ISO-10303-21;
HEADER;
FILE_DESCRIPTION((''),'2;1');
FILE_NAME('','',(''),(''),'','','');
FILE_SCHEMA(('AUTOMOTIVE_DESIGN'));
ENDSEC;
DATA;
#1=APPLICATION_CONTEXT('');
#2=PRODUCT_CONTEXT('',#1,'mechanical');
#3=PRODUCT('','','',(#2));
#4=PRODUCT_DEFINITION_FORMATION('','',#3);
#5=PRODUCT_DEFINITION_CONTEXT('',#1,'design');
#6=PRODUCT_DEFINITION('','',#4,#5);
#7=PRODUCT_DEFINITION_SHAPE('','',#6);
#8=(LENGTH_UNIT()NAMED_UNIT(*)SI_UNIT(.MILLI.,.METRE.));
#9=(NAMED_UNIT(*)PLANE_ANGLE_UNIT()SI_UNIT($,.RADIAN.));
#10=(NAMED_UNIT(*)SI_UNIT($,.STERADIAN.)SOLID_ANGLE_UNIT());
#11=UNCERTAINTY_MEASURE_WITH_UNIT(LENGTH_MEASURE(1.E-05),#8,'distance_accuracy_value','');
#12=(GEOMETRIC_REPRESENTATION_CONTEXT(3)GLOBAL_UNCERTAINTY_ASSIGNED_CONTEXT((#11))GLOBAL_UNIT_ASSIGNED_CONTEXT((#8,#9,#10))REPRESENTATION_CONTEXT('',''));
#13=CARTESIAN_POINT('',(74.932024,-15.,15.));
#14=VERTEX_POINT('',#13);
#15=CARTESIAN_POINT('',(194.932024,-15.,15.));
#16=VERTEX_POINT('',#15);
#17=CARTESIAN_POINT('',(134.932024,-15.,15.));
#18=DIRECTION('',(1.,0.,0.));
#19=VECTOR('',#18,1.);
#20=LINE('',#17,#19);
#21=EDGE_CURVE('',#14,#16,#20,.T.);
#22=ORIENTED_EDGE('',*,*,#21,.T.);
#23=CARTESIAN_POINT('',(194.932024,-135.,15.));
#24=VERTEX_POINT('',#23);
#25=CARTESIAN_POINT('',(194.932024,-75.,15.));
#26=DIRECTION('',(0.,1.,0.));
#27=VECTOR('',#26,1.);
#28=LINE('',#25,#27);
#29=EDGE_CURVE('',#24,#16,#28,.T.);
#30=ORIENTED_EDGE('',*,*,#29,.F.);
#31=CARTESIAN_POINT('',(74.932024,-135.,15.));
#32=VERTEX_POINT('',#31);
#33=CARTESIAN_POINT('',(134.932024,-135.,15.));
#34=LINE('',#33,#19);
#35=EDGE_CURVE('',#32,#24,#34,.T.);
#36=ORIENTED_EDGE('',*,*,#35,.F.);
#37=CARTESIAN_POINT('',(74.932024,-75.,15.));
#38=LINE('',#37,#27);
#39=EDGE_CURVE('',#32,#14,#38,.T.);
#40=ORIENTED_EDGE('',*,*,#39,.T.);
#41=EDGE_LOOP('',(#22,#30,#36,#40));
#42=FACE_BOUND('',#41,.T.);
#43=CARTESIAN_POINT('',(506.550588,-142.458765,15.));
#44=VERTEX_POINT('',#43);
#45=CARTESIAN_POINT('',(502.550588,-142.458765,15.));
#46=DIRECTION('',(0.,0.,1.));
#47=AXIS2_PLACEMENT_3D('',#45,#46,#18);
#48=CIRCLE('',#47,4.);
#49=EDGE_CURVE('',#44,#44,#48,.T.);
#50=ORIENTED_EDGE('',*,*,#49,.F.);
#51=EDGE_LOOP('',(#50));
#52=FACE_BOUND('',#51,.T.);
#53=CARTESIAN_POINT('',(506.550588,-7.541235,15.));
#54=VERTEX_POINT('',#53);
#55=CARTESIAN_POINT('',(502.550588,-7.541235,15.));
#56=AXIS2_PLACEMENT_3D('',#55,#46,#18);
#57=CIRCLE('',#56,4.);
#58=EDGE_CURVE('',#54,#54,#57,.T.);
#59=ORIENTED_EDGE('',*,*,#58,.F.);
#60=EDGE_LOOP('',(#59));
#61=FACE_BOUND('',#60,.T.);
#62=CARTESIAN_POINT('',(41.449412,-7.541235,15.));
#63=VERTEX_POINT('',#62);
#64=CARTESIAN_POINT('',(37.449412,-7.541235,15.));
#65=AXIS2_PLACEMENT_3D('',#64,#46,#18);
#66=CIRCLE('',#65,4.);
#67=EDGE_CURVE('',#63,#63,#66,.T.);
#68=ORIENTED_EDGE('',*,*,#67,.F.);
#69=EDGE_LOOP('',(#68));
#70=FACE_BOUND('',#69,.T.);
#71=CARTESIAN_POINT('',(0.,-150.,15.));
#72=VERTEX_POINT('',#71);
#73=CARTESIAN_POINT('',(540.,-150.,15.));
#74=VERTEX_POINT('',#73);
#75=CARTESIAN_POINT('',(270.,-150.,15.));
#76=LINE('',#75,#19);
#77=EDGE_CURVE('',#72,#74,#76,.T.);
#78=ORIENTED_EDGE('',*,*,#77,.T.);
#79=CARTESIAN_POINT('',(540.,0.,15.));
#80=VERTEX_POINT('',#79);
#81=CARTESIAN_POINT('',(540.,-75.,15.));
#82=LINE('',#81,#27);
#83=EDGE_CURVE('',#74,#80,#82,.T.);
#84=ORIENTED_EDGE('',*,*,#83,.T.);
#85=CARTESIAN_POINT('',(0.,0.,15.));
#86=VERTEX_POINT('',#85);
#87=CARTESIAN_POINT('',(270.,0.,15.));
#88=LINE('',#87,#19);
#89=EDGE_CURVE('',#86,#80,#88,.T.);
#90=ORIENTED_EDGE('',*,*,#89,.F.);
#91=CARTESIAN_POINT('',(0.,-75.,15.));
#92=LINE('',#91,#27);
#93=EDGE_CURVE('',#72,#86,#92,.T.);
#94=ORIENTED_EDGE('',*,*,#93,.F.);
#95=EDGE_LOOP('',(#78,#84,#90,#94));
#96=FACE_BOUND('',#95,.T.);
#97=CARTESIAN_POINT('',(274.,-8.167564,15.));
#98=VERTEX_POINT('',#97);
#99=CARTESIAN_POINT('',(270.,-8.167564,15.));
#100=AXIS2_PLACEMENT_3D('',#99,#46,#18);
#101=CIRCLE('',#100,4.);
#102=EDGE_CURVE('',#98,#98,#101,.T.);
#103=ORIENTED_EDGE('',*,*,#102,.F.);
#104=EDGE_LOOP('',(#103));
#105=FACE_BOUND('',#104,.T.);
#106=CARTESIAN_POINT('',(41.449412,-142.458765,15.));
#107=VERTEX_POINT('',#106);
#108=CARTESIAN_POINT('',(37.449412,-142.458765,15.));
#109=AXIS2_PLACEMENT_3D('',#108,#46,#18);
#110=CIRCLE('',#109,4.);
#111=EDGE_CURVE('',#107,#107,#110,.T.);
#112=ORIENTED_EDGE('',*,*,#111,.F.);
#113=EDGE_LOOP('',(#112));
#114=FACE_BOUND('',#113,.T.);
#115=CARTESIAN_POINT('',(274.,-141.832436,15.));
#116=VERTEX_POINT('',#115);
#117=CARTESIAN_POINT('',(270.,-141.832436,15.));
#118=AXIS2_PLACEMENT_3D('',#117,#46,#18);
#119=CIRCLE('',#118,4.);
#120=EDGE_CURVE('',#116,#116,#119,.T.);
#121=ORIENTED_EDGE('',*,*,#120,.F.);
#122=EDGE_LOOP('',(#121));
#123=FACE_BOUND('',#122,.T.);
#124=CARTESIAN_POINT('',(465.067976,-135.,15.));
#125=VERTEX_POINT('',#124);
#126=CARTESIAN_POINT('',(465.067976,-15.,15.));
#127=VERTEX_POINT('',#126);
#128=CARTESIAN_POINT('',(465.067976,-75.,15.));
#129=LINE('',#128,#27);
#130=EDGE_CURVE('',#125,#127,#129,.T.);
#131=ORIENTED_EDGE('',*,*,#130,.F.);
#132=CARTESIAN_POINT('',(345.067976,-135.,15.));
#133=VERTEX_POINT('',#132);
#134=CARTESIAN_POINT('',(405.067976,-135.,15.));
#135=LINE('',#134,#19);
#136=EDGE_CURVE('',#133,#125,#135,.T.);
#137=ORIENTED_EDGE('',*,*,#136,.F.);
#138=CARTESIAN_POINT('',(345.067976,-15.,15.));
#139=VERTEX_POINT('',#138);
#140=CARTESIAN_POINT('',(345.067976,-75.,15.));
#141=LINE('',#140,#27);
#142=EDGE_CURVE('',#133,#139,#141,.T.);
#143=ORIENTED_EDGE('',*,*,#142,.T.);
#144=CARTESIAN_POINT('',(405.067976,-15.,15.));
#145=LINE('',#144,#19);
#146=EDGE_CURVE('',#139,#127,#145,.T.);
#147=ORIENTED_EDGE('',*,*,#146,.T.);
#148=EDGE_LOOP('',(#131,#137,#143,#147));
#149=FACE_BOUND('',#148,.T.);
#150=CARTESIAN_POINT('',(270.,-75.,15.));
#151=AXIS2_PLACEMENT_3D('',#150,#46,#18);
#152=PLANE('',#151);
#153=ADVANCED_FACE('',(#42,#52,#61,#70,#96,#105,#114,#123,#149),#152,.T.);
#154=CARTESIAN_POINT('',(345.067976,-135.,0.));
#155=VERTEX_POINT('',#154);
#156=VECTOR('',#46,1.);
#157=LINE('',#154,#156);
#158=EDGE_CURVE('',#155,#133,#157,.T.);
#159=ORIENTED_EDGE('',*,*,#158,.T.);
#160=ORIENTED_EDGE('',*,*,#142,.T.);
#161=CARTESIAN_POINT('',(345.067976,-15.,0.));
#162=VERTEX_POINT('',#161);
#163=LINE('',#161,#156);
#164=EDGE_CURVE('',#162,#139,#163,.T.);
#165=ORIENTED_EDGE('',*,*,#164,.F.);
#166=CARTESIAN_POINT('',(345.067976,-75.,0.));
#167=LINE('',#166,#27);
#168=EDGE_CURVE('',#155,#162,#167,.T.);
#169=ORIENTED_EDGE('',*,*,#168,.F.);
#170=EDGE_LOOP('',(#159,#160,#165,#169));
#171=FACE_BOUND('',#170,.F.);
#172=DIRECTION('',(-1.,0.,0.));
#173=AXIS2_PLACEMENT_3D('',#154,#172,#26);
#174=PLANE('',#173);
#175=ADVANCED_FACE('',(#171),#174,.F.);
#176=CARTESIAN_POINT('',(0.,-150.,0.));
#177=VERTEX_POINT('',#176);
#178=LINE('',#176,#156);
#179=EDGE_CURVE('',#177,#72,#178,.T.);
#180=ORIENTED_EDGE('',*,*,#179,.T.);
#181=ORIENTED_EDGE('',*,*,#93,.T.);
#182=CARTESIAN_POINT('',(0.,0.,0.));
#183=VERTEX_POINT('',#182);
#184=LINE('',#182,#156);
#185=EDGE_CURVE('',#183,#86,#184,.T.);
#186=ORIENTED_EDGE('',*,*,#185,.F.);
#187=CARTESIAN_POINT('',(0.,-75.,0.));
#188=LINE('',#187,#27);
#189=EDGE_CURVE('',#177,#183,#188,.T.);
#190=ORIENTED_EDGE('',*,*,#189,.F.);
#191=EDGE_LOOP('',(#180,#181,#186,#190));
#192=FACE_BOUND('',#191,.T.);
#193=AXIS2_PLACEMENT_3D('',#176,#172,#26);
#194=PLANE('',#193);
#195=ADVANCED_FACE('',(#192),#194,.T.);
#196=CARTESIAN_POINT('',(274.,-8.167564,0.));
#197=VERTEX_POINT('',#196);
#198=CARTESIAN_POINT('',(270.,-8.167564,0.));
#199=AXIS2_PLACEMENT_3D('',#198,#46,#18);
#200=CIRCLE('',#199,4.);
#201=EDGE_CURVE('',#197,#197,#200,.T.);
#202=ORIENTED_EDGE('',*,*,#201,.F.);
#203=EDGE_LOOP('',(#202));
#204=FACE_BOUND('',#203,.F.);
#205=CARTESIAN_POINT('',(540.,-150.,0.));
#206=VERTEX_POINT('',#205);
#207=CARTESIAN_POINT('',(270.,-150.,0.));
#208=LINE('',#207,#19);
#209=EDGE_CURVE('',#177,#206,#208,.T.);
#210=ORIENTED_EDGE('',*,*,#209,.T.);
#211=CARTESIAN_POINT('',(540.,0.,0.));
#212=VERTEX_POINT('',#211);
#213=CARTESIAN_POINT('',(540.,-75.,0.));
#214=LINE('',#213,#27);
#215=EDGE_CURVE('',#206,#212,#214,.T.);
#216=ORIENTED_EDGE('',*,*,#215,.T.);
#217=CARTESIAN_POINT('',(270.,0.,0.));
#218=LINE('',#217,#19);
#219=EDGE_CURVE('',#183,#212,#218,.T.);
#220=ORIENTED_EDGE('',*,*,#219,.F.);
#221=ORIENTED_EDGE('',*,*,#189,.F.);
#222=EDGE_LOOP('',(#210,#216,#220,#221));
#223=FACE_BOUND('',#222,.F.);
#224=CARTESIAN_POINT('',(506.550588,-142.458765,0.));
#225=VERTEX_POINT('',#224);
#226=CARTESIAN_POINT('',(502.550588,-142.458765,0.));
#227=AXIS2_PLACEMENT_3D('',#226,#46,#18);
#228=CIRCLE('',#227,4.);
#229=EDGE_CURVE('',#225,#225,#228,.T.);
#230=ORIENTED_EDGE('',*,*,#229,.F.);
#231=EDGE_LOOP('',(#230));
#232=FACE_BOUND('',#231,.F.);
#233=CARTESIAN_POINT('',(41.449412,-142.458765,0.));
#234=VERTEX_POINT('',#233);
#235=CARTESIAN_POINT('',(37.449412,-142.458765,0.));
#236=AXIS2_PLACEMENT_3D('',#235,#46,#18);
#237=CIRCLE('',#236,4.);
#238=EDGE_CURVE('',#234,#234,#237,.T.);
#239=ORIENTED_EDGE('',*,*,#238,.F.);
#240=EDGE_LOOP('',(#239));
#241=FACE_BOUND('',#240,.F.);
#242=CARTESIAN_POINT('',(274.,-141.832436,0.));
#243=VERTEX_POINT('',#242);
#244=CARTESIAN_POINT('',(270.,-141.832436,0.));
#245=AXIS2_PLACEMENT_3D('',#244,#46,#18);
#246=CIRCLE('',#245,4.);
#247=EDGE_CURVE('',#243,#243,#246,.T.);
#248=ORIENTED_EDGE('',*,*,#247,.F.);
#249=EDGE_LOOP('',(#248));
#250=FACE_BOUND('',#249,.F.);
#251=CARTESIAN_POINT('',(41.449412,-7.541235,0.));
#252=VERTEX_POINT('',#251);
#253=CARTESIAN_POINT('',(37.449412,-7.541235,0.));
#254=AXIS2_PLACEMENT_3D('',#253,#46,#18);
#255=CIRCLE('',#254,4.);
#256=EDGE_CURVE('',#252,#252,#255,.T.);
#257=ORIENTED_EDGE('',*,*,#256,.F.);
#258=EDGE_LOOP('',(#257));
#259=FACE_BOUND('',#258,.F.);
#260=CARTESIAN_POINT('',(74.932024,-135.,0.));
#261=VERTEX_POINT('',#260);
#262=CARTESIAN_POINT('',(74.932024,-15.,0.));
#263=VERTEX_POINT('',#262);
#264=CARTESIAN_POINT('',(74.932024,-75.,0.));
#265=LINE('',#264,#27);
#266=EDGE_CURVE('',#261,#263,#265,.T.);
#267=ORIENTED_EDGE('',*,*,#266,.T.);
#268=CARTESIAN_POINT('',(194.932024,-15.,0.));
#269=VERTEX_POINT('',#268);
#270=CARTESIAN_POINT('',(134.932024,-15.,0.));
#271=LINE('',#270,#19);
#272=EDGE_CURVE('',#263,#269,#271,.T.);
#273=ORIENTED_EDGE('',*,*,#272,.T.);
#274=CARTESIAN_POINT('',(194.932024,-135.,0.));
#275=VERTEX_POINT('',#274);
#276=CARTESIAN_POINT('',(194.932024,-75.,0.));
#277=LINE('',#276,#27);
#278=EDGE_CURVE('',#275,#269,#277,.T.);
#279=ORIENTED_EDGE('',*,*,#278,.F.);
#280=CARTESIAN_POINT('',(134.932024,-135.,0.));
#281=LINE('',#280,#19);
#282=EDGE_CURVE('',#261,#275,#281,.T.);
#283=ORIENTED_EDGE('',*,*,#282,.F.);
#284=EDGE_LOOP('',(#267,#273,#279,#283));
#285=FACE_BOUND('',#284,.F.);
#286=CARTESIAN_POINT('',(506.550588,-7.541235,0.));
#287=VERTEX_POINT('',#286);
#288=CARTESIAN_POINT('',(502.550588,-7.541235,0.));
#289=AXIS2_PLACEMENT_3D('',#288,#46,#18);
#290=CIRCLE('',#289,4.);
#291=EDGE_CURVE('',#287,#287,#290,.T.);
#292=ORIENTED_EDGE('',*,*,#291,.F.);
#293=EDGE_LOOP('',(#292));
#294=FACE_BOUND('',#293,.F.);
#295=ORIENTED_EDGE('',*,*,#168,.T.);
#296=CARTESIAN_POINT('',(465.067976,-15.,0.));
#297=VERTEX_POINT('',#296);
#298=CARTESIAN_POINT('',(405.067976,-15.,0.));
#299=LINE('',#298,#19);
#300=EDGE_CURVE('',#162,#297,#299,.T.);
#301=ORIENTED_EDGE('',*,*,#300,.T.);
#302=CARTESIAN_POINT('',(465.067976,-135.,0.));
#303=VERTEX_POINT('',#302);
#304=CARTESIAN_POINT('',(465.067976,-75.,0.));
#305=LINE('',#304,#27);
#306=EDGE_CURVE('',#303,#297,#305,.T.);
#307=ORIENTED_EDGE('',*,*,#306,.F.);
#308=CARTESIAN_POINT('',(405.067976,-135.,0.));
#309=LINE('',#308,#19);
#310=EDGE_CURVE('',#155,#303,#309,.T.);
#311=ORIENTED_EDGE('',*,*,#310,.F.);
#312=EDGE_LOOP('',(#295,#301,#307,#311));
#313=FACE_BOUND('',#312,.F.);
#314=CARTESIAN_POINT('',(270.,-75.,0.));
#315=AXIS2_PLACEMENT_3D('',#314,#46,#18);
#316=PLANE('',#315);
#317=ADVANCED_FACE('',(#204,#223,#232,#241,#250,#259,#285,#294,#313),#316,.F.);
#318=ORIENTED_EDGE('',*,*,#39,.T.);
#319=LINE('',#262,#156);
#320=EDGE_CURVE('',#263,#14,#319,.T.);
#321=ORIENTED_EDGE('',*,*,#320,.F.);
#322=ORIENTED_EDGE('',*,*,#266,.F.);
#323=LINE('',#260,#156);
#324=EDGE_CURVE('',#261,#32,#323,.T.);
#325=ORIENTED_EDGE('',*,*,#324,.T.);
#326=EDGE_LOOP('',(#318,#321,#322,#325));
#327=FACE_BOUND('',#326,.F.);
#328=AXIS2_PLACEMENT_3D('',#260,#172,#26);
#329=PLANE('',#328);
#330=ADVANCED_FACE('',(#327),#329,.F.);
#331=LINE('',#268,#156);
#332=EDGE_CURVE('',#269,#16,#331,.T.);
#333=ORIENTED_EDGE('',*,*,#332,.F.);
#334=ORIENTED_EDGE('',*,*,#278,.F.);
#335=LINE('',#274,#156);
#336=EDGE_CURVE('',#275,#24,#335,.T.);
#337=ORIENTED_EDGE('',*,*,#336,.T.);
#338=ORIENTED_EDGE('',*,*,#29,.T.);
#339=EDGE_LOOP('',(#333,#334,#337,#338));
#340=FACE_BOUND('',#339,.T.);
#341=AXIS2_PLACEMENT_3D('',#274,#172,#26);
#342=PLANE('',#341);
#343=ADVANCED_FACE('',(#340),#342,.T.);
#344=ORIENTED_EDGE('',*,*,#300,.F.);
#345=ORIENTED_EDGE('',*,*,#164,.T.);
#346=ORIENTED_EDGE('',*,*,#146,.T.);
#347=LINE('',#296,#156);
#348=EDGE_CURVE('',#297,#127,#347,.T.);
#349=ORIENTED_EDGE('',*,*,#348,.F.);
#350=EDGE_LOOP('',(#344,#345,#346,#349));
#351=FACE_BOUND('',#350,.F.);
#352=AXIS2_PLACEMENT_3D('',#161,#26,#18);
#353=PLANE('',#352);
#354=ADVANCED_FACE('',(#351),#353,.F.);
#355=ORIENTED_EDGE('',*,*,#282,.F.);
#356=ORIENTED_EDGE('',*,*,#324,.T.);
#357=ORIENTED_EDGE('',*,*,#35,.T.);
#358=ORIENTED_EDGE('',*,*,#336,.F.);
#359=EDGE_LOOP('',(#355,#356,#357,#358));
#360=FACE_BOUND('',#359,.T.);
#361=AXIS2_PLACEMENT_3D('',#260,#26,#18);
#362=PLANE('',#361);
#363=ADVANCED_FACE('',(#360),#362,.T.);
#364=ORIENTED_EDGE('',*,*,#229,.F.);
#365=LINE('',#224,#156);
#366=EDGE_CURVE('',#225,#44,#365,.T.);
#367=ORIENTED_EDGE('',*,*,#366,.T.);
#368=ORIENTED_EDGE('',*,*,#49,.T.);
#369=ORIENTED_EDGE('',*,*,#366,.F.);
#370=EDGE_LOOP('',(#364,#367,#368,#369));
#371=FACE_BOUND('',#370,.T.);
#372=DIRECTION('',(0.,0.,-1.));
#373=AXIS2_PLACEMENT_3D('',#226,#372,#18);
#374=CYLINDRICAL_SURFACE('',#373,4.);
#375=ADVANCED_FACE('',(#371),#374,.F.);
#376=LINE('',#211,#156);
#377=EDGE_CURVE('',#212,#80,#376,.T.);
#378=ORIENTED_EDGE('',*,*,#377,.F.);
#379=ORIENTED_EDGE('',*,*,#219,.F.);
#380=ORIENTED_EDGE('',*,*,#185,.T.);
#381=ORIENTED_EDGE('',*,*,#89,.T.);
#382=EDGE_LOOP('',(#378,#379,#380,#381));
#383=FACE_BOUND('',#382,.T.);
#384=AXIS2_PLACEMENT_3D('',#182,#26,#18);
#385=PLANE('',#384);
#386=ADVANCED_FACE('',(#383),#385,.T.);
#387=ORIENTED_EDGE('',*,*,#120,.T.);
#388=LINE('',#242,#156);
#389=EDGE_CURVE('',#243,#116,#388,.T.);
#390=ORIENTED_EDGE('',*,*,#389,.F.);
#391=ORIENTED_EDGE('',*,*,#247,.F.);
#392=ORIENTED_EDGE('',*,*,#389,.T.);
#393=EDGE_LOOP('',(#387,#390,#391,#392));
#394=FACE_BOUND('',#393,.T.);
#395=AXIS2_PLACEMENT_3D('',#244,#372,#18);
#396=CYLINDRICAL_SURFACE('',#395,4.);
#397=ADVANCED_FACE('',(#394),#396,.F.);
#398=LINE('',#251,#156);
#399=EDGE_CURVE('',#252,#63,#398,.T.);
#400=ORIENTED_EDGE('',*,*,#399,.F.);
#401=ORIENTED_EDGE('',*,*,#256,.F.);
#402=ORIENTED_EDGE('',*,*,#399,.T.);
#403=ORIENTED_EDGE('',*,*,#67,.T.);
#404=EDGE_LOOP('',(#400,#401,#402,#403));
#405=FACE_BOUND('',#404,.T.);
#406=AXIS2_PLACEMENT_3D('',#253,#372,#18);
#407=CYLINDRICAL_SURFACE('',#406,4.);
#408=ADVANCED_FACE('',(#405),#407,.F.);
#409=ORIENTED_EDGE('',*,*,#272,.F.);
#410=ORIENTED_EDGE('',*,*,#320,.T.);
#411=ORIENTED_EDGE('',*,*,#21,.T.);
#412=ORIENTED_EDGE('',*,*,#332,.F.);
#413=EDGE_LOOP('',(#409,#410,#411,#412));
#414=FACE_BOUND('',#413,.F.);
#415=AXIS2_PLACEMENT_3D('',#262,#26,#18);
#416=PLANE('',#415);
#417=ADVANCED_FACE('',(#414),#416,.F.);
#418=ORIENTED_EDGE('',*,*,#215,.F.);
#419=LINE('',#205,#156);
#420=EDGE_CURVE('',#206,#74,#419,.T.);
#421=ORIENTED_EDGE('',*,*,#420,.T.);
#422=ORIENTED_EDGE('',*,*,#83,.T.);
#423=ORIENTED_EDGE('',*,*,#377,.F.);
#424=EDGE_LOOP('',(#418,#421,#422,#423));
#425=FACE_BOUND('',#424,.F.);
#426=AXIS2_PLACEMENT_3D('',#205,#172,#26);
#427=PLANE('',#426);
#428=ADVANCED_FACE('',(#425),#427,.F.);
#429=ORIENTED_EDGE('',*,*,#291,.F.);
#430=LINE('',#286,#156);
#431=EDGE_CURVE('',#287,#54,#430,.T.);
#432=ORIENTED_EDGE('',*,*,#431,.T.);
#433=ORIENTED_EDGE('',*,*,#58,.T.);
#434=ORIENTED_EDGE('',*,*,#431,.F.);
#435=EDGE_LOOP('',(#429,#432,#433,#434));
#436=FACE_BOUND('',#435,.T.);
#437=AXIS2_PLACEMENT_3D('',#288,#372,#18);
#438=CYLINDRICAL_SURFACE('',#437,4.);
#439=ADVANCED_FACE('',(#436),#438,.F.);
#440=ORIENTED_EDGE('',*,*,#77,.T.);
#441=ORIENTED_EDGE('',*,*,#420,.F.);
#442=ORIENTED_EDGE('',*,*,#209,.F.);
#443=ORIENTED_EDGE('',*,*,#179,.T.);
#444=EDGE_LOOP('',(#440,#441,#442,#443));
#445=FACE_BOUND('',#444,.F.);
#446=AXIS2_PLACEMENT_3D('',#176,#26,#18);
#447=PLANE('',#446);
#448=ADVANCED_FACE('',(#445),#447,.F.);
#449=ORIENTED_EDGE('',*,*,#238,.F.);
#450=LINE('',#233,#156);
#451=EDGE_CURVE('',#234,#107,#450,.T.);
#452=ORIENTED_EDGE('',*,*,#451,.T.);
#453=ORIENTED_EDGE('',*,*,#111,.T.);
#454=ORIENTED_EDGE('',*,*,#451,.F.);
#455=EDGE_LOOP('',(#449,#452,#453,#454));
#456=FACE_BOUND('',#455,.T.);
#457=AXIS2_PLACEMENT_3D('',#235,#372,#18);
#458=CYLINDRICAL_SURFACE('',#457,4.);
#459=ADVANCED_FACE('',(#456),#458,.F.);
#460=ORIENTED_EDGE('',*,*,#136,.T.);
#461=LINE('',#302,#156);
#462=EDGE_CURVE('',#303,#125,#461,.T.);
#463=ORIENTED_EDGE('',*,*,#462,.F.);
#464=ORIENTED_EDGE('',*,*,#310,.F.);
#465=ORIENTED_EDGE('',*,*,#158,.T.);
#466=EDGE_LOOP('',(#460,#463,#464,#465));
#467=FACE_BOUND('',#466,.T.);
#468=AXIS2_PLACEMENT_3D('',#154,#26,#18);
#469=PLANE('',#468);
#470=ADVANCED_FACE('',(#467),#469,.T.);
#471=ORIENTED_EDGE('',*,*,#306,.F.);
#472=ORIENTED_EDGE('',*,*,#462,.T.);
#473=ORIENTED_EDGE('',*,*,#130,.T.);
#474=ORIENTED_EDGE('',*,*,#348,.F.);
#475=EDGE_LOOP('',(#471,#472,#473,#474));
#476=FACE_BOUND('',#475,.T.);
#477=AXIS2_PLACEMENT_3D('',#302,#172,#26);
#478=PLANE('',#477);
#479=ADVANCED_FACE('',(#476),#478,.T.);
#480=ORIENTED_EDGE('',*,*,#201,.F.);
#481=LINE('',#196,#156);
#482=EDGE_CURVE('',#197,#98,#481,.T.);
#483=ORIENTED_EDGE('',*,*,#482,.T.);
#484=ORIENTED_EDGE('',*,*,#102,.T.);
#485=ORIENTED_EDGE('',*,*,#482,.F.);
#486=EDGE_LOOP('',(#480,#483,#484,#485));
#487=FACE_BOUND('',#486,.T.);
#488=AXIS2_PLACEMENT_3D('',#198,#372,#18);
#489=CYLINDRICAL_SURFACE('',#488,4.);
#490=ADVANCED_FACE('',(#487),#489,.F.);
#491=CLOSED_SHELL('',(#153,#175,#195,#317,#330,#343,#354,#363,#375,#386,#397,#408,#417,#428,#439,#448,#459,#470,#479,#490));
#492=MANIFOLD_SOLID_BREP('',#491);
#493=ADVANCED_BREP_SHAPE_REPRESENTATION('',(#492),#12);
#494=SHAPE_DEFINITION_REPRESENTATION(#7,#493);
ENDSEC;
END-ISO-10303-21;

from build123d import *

# Parameters (mm, degrees)
F0_W     = 540
F0_H     = 150
F0_R     = 4
F0_W_2   = 120
F0_H_2   = 120
F1_DEPTH = 15


with BuildPart() as f1:
    # F0 (on Top) → F1 (new body)
    with BuildSketch(Plane.XY):
        with Locations((270, -75)):
            Rectangle(F0_W, F0_H)
        with Locations((37.449412, -142.458765)):
            Circle(F0_R, mode=Mode.SUBTRACT)
        with Locations((270, -141.832436)):
            Circle(F0_R, mode=Mode.SUBTRACT)
        with Locations((502.550588, -142.458765)):
            Circle(F0_R, mode=Mode.SUBTRACT)
        with Locations((134.932024, -75)):
            Rectangle(F0_W_2, F0_H_2, mode=Mode.SUBTRACT)
        with Locations((37.449412, -7.541235)):
            Circle(F0_R, mode=Mode.SUBTRACT)
        with Locations((405.067976, -75)):
            Rectangle(F0_W_2, F0_H_2, mode=Mode.SUBTRACT)
        with Locations((270, -8.167564)):
            Circle(F0_R, mode=Mode.SUBTRACT)
        with Locations((502.550588, -7.541235)):
            Circle(F0_R, mode=Mode.SUBTRACT)
    extrude(amount=F1_DEPTH)


solid = f1.part
